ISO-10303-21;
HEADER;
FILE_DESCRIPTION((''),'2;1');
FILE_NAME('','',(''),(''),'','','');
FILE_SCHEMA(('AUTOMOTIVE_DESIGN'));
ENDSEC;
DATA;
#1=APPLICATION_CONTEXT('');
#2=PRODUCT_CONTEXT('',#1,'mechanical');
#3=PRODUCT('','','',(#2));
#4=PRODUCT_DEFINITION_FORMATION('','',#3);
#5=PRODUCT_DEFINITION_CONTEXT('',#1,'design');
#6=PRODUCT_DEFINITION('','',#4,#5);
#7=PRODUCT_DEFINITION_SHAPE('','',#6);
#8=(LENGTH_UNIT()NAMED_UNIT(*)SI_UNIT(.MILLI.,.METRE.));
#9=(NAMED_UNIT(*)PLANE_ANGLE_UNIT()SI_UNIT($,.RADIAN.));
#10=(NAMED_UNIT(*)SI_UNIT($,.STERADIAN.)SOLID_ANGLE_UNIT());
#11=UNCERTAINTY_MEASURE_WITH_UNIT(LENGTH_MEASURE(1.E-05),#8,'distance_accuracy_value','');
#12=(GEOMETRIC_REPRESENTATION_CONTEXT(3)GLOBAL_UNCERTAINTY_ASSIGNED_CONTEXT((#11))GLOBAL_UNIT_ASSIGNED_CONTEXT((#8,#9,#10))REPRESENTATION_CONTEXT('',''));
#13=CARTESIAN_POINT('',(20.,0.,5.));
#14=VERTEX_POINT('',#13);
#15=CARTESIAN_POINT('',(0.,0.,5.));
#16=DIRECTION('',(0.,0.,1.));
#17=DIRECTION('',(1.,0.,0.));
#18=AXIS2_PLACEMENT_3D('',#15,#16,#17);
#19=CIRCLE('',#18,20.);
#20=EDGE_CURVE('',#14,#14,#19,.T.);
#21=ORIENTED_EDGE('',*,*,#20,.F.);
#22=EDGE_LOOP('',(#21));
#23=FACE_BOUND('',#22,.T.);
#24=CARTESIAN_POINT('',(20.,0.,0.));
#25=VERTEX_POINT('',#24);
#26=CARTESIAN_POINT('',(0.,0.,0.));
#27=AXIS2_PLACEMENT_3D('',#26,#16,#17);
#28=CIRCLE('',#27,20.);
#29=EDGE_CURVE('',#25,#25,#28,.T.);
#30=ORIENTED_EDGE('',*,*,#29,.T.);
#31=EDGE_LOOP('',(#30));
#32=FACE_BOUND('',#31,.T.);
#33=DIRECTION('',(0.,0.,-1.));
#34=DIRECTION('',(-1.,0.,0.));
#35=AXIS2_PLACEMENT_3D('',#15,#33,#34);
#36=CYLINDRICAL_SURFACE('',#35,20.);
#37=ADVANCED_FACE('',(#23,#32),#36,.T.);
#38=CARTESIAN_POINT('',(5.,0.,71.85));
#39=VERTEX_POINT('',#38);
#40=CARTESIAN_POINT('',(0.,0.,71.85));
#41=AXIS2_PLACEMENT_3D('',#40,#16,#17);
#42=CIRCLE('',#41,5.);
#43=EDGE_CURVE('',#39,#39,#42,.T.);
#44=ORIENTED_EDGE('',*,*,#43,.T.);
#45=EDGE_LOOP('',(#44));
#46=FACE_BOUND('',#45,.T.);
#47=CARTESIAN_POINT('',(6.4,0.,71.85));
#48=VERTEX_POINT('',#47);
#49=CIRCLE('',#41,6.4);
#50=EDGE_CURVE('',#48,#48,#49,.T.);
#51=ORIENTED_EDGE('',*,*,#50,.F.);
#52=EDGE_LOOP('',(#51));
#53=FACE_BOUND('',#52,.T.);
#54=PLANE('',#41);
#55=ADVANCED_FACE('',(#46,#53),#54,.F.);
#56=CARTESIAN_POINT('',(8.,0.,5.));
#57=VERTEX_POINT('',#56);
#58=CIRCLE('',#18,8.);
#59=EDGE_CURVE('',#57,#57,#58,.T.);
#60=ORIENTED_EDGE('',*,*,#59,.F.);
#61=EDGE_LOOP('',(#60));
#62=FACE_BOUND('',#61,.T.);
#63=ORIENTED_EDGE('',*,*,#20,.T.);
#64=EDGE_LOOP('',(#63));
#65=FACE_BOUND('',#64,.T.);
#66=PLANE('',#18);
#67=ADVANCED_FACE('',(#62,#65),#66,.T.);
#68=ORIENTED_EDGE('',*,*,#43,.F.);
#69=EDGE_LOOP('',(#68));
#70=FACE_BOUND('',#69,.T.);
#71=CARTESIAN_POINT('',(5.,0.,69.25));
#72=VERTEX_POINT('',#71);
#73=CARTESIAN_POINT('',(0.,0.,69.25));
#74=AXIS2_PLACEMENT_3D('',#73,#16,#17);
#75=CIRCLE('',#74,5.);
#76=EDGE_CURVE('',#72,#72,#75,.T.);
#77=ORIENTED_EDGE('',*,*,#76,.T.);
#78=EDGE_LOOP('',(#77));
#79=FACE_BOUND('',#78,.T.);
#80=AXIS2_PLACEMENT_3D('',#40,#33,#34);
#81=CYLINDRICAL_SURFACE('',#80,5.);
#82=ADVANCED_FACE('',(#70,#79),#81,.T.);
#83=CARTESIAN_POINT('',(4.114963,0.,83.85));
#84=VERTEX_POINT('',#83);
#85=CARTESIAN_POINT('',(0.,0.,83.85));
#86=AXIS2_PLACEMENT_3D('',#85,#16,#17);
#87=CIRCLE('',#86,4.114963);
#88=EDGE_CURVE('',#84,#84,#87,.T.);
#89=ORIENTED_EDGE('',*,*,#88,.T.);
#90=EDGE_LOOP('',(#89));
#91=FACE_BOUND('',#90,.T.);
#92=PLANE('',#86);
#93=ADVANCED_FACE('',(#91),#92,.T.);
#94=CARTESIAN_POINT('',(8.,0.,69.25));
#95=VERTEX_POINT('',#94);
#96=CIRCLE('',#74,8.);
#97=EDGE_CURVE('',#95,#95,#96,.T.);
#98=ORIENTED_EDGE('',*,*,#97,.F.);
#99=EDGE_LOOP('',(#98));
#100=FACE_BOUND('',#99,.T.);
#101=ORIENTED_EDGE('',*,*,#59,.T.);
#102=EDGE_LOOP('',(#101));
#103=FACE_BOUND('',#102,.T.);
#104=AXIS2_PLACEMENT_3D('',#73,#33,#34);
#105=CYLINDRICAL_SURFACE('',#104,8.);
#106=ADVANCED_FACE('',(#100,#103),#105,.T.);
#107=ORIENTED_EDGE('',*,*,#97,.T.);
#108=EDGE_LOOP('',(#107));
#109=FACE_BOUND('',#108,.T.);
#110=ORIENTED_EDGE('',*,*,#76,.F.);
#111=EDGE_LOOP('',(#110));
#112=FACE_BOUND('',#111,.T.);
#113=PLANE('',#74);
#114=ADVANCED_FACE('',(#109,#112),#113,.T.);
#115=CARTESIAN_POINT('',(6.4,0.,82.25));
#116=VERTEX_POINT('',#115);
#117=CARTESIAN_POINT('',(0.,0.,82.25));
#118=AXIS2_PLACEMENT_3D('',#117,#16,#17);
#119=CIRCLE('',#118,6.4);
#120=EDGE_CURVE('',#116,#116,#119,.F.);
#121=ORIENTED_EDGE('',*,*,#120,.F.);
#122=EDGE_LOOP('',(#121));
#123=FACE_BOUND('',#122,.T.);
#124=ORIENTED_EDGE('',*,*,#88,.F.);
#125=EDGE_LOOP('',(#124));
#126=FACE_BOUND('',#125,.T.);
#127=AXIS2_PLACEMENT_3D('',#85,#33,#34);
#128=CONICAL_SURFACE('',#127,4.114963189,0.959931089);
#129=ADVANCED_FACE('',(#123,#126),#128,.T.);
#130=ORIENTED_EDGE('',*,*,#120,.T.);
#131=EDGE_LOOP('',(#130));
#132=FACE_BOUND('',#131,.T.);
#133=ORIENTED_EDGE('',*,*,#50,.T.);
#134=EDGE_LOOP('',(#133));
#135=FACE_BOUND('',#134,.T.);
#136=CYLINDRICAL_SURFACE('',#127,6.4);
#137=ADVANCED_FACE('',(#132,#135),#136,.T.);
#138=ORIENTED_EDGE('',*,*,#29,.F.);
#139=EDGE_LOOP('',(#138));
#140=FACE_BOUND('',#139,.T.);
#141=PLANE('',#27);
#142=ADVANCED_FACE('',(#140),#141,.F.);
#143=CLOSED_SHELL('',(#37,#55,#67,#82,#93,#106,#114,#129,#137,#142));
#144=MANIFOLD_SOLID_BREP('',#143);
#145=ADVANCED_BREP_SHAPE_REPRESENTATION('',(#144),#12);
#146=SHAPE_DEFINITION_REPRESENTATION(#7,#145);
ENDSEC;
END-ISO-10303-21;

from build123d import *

# Parameters (mm, degrees)
ESQUISSE1_R        = 20
BOSS_EXTRU_1_DEPTH = 5
ESQUISSE2_R        = 8
BOSS_EXTRU_2_DEPTH = 64.25
ESQUISSE3_R        = 5
BOSS_EXTRU_3_DEPTH = 2.6
ESQUISSE4_R        = 6.4
BOSS_EXTRU_4_DEPTH = 12
CHANFREIN1_SIZE    = 1.6
CHANFREIN1_SIZE2   = 2.285036811


with BuildPart() as part:
    # Esquisse1 → Boss.-Extru.1 (new body)
    with BuildSketch(Plane.XY):
        Circle(ESQUISSE1_R)
    extrude(amount=BOSS_EXTRU_1_DEPTH)

    # Esquisse2 → Boss.-Extru.2 (add)
    with BuildSketch(Plane.XY.offset(5)):
        Circle(ESQUISSE2_R)
    extrude(amount=BOSS_EXTRU_2_DEPTH)

    # Esquisse3 → Boss.-Extru.3 (add)
    with BuildSketch(Plane.XY.offset(69.25)):
        Circle(ESQUISSE3_R)
    extrude(amount=BOSS_EXTRU_3_DEPTH)

    # Esquisse4 → Boss.-Extru.4 (add)
    with BuildSketch(Plane.XY.offset(71.85)):
        Circle(ESQUISSE4_R)
    extrude(amount=BOSS_EXTRU_4_DEPTH)

    # Chanfrein1
    chanfrein1_edges = [part.edges().sort_by_distance(p)[0] for p in [
        (-6.4, 0, 83.85),
    ]]
    chanfrein1_side = [part.faces().sort_by_distance(p)[0] for p in [
        (-6.4, 0, 77.85),
    ]]
    chamfer(chanfrein1_edges, length=CHANFREIN1_SIZE, length2=CHANFREIN1_SIZE2, reference=chanfrein1_side[0])


solid = part.part
